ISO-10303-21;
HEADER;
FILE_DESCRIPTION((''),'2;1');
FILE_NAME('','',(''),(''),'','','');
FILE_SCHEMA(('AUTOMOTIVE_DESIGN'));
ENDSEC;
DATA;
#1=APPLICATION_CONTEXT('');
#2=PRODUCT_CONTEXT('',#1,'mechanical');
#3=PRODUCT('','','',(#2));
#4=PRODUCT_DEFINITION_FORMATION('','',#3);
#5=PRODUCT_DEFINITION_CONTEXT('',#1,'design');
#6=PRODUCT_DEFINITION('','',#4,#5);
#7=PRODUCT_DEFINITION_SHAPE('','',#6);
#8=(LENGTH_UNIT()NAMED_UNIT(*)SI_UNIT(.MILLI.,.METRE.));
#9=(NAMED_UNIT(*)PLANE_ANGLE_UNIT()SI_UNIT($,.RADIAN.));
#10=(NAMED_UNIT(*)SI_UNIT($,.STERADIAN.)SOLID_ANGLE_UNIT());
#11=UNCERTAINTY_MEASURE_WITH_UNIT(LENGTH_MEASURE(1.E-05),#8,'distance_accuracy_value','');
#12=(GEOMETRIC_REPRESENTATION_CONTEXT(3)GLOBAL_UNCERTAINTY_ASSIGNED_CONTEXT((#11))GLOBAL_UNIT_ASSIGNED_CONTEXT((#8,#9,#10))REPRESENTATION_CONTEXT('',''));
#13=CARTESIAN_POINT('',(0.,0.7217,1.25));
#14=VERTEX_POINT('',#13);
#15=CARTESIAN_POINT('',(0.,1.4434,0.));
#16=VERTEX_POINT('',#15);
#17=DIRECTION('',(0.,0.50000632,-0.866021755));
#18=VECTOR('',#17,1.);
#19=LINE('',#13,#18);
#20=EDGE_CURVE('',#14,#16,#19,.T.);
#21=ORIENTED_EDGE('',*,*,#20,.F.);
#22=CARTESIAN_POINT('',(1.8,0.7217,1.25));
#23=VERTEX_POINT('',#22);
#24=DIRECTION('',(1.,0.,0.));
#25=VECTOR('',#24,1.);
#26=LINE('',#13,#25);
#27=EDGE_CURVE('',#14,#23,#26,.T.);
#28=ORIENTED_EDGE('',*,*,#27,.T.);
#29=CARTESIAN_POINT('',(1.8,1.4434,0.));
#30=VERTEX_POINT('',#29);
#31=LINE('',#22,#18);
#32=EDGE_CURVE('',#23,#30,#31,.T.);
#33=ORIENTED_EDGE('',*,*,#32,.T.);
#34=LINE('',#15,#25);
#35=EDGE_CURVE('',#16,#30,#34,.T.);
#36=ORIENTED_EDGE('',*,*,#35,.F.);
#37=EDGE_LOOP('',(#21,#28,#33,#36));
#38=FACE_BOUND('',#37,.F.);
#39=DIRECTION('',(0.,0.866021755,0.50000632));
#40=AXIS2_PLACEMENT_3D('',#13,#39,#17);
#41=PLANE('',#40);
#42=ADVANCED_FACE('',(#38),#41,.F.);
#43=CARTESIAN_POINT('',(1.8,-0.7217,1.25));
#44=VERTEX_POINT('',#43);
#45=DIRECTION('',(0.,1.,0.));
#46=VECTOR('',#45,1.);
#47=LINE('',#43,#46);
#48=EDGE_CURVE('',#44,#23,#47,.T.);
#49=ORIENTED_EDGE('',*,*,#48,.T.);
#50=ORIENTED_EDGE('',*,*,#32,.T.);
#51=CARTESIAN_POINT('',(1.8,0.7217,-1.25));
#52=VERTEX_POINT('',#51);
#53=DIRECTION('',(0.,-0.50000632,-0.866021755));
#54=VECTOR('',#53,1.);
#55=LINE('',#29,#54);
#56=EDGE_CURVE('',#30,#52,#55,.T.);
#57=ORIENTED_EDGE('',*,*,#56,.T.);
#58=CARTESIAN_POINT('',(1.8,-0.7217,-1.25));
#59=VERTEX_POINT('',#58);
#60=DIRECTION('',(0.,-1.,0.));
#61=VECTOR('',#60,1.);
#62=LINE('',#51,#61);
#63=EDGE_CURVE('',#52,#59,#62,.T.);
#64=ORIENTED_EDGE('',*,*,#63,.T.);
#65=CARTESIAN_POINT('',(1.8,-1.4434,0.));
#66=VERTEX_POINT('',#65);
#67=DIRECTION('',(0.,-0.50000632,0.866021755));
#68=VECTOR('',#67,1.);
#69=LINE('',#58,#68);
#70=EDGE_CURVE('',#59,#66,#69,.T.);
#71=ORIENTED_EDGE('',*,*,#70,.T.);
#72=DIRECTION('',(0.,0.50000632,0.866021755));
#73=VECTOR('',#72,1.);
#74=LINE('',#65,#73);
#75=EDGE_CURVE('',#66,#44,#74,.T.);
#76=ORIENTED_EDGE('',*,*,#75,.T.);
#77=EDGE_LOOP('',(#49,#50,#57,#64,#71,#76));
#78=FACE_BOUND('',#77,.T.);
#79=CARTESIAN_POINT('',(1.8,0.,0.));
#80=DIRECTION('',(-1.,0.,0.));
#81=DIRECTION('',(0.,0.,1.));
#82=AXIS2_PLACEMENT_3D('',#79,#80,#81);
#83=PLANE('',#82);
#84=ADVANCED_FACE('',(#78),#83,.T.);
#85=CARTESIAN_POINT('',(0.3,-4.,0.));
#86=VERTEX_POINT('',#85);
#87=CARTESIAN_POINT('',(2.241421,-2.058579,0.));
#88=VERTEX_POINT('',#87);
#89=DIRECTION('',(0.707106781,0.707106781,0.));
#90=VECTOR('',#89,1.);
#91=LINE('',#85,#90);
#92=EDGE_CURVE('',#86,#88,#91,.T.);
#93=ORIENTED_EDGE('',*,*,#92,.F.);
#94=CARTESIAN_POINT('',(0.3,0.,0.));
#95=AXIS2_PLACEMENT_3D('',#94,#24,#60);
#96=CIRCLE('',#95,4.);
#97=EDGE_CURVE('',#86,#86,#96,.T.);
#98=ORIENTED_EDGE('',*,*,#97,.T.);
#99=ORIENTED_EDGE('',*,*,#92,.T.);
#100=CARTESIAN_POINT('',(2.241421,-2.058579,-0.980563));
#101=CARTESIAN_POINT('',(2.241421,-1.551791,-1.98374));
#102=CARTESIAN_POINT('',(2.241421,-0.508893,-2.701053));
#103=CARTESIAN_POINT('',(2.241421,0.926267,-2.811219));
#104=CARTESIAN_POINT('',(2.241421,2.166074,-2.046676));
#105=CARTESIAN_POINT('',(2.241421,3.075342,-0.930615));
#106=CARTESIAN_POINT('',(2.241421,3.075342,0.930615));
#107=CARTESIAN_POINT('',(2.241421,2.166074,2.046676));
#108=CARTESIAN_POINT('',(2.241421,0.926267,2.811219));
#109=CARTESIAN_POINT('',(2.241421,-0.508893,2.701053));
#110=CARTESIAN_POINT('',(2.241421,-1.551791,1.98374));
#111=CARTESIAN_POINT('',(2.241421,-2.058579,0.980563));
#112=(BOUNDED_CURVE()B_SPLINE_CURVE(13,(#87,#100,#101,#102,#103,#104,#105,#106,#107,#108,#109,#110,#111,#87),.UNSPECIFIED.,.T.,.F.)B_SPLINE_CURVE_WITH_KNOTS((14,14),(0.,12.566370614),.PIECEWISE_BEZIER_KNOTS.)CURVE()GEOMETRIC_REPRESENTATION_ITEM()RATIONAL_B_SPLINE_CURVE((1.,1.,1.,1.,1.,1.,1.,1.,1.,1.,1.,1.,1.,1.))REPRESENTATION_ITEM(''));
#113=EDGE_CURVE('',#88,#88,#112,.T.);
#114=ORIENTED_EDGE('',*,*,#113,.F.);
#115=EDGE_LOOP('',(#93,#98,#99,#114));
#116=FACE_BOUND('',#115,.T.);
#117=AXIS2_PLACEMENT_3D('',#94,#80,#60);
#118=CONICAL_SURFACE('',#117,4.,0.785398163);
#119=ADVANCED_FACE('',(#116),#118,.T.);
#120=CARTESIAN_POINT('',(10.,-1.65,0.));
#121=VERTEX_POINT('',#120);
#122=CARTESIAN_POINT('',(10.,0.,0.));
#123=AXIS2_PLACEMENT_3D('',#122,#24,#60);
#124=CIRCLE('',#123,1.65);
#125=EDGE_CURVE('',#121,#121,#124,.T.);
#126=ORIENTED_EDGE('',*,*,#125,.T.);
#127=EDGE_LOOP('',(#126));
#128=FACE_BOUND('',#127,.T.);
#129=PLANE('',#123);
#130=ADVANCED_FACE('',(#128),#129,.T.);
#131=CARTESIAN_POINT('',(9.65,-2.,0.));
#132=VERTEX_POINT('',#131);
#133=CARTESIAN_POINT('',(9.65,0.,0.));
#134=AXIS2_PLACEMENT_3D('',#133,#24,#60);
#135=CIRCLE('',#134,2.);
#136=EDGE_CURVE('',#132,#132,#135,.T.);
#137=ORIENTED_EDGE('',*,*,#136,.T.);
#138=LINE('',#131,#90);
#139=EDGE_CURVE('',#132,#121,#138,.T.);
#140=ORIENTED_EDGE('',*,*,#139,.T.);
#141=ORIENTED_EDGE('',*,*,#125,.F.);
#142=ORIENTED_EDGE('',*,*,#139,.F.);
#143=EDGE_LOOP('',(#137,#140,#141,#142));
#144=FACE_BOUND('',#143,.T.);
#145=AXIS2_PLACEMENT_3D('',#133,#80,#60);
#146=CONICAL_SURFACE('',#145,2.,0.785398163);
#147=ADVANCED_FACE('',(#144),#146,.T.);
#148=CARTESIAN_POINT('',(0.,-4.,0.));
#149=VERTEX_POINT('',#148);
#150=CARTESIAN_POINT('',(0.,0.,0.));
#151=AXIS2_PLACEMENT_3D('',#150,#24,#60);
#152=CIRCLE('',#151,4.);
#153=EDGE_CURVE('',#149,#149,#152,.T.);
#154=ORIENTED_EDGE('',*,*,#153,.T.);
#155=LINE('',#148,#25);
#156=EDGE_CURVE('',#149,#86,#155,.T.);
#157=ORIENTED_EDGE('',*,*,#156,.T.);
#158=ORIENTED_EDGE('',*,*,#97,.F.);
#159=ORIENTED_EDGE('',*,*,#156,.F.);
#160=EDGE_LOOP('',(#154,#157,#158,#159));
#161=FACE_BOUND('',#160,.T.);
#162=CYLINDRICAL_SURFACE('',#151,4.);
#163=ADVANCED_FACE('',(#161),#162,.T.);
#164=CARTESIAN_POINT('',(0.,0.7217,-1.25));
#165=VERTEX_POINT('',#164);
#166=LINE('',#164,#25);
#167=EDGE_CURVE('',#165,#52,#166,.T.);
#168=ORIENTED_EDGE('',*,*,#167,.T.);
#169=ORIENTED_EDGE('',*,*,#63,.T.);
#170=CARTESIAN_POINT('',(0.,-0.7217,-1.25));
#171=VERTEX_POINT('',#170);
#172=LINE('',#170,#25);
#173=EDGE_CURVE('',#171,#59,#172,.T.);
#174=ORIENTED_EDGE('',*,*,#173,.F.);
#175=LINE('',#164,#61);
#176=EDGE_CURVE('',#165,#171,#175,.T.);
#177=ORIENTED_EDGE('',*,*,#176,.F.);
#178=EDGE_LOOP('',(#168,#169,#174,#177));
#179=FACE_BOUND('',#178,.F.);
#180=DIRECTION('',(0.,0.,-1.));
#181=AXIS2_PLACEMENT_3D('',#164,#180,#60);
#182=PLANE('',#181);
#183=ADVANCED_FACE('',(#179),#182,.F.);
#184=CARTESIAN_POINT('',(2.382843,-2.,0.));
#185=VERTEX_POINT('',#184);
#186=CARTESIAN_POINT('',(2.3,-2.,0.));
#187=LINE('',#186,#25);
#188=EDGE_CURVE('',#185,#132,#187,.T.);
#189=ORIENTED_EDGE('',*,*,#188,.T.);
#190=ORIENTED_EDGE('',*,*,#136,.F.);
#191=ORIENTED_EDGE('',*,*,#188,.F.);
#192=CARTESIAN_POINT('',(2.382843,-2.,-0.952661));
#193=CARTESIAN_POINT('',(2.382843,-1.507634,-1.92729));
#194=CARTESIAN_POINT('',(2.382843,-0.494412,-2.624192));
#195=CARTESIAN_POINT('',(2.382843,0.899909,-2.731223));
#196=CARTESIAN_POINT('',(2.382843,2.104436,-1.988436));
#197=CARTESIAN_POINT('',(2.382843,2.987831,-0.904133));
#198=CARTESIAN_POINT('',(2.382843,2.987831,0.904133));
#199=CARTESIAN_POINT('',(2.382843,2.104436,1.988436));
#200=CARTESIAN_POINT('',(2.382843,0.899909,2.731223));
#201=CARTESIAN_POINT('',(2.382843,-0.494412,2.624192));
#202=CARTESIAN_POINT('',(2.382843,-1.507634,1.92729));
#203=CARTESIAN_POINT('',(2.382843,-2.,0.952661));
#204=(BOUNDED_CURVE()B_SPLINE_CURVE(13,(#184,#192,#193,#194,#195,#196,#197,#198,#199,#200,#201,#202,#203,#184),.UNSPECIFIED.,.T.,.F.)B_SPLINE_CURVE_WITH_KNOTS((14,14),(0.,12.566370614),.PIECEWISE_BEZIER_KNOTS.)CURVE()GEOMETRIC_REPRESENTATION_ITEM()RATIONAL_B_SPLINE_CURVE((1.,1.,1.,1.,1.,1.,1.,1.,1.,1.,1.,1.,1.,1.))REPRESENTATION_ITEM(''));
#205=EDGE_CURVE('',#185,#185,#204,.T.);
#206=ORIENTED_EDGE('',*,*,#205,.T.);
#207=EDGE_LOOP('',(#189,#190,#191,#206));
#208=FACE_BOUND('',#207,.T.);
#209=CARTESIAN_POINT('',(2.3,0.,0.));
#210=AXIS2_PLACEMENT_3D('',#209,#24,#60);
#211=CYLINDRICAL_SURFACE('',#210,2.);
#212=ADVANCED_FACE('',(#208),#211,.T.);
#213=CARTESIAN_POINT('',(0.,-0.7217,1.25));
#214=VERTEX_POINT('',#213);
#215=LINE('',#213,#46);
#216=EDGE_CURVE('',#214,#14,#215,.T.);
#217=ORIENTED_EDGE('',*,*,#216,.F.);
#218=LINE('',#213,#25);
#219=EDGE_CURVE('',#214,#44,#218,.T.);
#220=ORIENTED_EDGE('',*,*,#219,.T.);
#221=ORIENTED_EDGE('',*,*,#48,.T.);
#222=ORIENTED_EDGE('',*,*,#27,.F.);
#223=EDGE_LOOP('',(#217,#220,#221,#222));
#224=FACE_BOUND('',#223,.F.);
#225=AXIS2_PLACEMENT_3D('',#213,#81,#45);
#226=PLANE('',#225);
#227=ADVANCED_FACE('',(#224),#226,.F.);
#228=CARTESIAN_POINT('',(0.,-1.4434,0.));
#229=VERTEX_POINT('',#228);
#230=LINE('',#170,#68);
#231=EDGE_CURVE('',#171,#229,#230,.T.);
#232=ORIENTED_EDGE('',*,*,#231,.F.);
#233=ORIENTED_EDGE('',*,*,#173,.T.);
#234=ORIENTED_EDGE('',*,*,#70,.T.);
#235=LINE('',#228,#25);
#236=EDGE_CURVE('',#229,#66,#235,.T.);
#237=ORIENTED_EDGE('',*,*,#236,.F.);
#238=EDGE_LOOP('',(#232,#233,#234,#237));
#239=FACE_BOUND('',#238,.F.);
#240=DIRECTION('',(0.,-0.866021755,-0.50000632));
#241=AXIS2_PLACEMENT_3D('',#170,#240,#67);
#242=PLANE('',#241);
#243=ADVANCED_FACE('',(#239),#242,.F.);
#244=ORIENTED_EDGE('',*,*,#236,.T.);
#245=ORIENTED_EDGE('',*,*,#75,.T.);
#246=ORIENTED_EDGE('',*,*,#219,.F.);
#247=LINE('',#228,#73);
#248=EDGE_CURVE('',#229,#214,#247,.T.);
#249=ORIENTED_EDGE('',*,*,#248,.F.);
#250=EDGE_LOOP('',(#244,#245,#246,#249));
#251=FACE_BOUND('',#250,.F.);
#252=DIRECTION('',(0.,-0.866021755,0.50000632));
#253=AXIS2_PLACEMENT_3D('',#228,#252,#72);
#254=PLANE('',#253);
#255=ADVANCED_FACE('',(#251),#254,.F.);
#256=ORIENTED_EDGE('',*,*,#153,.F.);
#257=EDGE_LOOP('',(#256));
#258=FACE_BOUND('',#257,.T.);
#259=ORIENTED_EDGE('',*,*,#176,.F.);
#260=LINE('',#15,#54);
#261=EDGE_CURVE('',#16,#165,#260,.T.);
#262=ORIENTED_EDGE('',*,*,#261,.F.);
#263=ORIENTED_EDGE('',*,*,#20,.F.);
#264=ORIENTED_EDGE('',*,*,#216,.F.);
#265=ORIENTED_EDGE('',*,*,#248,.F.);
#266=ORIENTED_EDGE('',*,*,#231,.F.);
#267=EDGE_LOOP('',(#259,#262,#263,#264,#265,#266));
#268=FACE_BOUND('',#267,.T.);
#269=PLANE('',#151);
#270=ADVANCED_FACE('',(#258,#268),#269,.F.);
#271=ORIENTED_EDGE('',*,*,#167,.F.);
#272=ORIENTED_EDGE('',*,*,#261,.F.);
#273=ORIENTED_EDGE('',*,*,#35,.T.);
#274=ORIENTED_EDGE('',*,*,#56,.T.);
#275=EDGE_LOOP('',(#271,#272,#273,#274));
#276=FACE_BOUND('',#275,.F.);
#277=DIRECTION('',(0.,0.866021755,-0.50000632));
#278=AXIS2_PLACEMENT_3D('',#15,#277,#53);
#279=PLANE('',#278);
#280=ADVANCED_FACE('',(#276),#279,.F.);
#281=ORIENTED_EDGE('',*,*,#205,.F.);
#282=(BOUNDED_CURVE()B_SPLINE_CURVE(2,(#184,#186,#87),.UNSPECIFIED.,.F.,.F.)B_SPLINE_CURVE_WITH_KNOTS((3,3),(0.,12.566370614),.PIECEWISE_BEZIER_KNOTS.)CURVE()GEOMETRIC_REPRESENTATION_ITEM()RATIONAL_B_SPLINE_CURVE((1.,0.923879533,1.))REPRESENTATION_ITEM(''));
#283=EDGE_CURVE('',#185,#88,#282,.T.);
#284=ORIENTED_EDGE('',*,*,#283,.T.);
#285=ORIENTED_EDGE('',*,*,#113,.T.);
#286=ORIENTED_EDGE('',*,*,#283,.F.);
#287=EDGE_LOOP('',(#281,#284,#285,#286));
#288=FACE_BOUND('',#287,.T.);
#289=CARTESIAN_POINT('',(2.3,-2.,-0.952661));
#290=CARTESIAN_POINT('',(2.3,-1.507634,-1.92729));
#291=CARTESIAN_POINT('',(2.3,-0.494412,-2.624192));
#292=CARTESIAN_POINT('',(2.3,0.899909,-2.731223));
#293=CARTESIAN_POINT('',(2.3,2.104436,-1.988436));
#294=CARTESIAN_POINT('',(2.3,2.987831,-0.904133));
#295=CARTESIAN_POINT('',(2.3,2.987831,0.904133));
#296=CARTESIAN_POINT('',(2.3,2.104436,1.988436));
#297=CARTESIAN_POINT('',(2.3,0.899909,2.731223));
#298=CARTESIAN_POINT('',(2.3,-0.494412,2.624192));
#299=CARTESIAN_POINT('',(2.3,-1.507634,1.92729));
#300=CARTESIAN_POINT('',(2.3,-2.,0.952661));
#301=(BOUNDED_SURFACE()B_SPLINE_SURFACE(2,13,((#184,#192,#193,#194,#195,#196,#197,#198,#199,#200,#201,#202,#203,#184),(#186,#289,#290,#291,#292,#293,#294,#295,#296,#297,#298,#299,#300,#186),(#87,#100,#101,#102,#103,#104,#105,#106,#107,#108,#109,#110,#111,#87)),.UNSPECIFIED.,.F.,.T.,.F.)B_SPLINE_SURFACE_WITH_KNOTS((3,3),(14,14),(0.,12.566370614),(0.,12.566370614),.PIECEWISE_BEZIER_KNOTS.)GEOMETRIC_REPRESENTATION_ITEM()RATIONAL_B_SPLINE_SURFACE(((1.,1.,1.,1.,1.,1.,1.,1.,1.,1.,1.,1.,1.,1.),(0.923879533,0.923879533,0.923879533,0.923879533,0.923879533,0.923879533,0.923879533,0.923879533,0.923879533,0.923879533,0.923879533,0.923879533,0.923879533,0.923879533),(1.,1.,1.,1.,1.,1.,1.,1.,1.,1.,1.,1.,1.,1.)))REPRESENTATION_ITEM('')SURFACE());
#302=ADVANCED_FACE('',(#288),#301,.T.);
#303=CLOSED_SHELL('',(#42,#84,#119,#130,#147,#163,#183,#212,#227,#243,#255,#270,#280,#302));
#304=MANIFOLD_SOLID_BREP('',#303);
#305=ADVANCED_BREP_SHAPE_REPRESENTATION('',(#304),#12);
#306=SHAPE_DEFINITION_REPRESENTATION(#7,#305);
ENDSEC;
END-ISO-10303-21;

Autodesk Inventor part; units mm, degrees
ref_plane "YZ Plane" through (0, 0, 0) normal (1, 0, 0) x (0, 1, 0)
sketch "Skizze1" plane through (0, 0, 0) normal (0, 1, 0) x (-1, 0, 0)
  point P0 (0, 0)
sketch "Skizze2" plane through (0, 0, 0) normal (0, 0, 1) x (-1, 0, 0)
  line L0 (-10, 2) -> (-10, 0)
  line L1 (-2.3, 2) -> (-10, 2)
  line L2 (-0.3, 4) -> (-2.3, 2)
  line L3 (0, 4) -> (-0.3, 4)
  line L4 (0, 0) -> (0, 4)
  line L5 (-10, 0) -> (0, 0)
  line L6 (-10, 0) -> (0, 0)
  line L7 (0, -9.6) -> (0, 1.6) projected
  line L8 (2, 0) -> (-12, 0) projected
  dimension "ParC" = 0.3
  dimension "d43" = 45
  dimension "d44" = 4
  dimension "d45" = 2
  dimension "d46" = 10
  dimension "d47" = 0
  dimension "d48" = 0
revolve "Drehung1" add sketch "Skizze2" angle 360 about axis through (10, 0, 0) along (1, 0, 0)
sketch "Skizze3" plane through (0, 0, 0) normal (-1, 0, 0) x (0, 0, 1)
  line L0 (-1.25, 0.7217) -> (-1.25, -0.7217)
  line L1 (0, 1.4434) -> (-1.25, 0.7217)
  line L2 (1.25, 0.7217) -> (0, 1.4434)
  line L3 (1.25, -0.7217) -> (1.25, 0.7217)
  line L4 (0, -1.4434) -> (1.25, -0.7217)
  line L5 (-1.25, -0.7217) -> (0, -1.4434)
  circle A0 centre (0, 0) radius 1.25 construction
  circle A1 centre (0, 0) radius 2 construction
  dimension "d11" = 2.5
  dimension "d13" = 120
  dimension "d15" = 120
extrude "Extrusion1" cut sketch "Skizze3" against normal blind 1.8
fillet "Rundung1" radius 0.2 1 edges at (2.3, 2, 0)
chamfer "Fase1" distance 0.35 angle 45 1 edges at (10, 2, 0) measured on face at (7.4609, 0.9288, -1.7713)
thread "Gewinde1" size "M4x0.7" class "6g" standard "ISO Metric profile" length 6.3
ref_plane "MSC_PF1" through (0, 0, 0) normal (1, 0, 0) x (0, 1, 0)
ref_plane "MSC_PT1" through (0, 0, 0) normal (1, 0, 0) x (0, 1, 0)
equation "\"d43\" = 0.5 * ang"
equation "\"d44\" = 0.5 * dk"
equation "\"d45\" = 0.5 * NND"
equation "\"d46\" = NLG"
equation "\"d11\" = ParS"
equation "\"d16\" = ParT"
equation "\"d18\" = r"
equation "\"d19\" = 0.5 * PTC"
equation "\"d39\" = 0.5 * PTC"
equation "\"NND\" = 4"
equation "\"PTC\" = 0.7"
equation "\"dk\" = 8"
equation "\"ParK\" = 2.3"
equation "\"ParS\" = 2.5"
equation "\"ParT\" = 1.8"
equation "\"r\" = 0.2"
equation "\"NLG\" = 10"
equation "\"ang\" = 90deg"
equation "\"THREADDIA\" = NND"
properties part number "ISO 10642 - M4 x  10" material "Stahl"
